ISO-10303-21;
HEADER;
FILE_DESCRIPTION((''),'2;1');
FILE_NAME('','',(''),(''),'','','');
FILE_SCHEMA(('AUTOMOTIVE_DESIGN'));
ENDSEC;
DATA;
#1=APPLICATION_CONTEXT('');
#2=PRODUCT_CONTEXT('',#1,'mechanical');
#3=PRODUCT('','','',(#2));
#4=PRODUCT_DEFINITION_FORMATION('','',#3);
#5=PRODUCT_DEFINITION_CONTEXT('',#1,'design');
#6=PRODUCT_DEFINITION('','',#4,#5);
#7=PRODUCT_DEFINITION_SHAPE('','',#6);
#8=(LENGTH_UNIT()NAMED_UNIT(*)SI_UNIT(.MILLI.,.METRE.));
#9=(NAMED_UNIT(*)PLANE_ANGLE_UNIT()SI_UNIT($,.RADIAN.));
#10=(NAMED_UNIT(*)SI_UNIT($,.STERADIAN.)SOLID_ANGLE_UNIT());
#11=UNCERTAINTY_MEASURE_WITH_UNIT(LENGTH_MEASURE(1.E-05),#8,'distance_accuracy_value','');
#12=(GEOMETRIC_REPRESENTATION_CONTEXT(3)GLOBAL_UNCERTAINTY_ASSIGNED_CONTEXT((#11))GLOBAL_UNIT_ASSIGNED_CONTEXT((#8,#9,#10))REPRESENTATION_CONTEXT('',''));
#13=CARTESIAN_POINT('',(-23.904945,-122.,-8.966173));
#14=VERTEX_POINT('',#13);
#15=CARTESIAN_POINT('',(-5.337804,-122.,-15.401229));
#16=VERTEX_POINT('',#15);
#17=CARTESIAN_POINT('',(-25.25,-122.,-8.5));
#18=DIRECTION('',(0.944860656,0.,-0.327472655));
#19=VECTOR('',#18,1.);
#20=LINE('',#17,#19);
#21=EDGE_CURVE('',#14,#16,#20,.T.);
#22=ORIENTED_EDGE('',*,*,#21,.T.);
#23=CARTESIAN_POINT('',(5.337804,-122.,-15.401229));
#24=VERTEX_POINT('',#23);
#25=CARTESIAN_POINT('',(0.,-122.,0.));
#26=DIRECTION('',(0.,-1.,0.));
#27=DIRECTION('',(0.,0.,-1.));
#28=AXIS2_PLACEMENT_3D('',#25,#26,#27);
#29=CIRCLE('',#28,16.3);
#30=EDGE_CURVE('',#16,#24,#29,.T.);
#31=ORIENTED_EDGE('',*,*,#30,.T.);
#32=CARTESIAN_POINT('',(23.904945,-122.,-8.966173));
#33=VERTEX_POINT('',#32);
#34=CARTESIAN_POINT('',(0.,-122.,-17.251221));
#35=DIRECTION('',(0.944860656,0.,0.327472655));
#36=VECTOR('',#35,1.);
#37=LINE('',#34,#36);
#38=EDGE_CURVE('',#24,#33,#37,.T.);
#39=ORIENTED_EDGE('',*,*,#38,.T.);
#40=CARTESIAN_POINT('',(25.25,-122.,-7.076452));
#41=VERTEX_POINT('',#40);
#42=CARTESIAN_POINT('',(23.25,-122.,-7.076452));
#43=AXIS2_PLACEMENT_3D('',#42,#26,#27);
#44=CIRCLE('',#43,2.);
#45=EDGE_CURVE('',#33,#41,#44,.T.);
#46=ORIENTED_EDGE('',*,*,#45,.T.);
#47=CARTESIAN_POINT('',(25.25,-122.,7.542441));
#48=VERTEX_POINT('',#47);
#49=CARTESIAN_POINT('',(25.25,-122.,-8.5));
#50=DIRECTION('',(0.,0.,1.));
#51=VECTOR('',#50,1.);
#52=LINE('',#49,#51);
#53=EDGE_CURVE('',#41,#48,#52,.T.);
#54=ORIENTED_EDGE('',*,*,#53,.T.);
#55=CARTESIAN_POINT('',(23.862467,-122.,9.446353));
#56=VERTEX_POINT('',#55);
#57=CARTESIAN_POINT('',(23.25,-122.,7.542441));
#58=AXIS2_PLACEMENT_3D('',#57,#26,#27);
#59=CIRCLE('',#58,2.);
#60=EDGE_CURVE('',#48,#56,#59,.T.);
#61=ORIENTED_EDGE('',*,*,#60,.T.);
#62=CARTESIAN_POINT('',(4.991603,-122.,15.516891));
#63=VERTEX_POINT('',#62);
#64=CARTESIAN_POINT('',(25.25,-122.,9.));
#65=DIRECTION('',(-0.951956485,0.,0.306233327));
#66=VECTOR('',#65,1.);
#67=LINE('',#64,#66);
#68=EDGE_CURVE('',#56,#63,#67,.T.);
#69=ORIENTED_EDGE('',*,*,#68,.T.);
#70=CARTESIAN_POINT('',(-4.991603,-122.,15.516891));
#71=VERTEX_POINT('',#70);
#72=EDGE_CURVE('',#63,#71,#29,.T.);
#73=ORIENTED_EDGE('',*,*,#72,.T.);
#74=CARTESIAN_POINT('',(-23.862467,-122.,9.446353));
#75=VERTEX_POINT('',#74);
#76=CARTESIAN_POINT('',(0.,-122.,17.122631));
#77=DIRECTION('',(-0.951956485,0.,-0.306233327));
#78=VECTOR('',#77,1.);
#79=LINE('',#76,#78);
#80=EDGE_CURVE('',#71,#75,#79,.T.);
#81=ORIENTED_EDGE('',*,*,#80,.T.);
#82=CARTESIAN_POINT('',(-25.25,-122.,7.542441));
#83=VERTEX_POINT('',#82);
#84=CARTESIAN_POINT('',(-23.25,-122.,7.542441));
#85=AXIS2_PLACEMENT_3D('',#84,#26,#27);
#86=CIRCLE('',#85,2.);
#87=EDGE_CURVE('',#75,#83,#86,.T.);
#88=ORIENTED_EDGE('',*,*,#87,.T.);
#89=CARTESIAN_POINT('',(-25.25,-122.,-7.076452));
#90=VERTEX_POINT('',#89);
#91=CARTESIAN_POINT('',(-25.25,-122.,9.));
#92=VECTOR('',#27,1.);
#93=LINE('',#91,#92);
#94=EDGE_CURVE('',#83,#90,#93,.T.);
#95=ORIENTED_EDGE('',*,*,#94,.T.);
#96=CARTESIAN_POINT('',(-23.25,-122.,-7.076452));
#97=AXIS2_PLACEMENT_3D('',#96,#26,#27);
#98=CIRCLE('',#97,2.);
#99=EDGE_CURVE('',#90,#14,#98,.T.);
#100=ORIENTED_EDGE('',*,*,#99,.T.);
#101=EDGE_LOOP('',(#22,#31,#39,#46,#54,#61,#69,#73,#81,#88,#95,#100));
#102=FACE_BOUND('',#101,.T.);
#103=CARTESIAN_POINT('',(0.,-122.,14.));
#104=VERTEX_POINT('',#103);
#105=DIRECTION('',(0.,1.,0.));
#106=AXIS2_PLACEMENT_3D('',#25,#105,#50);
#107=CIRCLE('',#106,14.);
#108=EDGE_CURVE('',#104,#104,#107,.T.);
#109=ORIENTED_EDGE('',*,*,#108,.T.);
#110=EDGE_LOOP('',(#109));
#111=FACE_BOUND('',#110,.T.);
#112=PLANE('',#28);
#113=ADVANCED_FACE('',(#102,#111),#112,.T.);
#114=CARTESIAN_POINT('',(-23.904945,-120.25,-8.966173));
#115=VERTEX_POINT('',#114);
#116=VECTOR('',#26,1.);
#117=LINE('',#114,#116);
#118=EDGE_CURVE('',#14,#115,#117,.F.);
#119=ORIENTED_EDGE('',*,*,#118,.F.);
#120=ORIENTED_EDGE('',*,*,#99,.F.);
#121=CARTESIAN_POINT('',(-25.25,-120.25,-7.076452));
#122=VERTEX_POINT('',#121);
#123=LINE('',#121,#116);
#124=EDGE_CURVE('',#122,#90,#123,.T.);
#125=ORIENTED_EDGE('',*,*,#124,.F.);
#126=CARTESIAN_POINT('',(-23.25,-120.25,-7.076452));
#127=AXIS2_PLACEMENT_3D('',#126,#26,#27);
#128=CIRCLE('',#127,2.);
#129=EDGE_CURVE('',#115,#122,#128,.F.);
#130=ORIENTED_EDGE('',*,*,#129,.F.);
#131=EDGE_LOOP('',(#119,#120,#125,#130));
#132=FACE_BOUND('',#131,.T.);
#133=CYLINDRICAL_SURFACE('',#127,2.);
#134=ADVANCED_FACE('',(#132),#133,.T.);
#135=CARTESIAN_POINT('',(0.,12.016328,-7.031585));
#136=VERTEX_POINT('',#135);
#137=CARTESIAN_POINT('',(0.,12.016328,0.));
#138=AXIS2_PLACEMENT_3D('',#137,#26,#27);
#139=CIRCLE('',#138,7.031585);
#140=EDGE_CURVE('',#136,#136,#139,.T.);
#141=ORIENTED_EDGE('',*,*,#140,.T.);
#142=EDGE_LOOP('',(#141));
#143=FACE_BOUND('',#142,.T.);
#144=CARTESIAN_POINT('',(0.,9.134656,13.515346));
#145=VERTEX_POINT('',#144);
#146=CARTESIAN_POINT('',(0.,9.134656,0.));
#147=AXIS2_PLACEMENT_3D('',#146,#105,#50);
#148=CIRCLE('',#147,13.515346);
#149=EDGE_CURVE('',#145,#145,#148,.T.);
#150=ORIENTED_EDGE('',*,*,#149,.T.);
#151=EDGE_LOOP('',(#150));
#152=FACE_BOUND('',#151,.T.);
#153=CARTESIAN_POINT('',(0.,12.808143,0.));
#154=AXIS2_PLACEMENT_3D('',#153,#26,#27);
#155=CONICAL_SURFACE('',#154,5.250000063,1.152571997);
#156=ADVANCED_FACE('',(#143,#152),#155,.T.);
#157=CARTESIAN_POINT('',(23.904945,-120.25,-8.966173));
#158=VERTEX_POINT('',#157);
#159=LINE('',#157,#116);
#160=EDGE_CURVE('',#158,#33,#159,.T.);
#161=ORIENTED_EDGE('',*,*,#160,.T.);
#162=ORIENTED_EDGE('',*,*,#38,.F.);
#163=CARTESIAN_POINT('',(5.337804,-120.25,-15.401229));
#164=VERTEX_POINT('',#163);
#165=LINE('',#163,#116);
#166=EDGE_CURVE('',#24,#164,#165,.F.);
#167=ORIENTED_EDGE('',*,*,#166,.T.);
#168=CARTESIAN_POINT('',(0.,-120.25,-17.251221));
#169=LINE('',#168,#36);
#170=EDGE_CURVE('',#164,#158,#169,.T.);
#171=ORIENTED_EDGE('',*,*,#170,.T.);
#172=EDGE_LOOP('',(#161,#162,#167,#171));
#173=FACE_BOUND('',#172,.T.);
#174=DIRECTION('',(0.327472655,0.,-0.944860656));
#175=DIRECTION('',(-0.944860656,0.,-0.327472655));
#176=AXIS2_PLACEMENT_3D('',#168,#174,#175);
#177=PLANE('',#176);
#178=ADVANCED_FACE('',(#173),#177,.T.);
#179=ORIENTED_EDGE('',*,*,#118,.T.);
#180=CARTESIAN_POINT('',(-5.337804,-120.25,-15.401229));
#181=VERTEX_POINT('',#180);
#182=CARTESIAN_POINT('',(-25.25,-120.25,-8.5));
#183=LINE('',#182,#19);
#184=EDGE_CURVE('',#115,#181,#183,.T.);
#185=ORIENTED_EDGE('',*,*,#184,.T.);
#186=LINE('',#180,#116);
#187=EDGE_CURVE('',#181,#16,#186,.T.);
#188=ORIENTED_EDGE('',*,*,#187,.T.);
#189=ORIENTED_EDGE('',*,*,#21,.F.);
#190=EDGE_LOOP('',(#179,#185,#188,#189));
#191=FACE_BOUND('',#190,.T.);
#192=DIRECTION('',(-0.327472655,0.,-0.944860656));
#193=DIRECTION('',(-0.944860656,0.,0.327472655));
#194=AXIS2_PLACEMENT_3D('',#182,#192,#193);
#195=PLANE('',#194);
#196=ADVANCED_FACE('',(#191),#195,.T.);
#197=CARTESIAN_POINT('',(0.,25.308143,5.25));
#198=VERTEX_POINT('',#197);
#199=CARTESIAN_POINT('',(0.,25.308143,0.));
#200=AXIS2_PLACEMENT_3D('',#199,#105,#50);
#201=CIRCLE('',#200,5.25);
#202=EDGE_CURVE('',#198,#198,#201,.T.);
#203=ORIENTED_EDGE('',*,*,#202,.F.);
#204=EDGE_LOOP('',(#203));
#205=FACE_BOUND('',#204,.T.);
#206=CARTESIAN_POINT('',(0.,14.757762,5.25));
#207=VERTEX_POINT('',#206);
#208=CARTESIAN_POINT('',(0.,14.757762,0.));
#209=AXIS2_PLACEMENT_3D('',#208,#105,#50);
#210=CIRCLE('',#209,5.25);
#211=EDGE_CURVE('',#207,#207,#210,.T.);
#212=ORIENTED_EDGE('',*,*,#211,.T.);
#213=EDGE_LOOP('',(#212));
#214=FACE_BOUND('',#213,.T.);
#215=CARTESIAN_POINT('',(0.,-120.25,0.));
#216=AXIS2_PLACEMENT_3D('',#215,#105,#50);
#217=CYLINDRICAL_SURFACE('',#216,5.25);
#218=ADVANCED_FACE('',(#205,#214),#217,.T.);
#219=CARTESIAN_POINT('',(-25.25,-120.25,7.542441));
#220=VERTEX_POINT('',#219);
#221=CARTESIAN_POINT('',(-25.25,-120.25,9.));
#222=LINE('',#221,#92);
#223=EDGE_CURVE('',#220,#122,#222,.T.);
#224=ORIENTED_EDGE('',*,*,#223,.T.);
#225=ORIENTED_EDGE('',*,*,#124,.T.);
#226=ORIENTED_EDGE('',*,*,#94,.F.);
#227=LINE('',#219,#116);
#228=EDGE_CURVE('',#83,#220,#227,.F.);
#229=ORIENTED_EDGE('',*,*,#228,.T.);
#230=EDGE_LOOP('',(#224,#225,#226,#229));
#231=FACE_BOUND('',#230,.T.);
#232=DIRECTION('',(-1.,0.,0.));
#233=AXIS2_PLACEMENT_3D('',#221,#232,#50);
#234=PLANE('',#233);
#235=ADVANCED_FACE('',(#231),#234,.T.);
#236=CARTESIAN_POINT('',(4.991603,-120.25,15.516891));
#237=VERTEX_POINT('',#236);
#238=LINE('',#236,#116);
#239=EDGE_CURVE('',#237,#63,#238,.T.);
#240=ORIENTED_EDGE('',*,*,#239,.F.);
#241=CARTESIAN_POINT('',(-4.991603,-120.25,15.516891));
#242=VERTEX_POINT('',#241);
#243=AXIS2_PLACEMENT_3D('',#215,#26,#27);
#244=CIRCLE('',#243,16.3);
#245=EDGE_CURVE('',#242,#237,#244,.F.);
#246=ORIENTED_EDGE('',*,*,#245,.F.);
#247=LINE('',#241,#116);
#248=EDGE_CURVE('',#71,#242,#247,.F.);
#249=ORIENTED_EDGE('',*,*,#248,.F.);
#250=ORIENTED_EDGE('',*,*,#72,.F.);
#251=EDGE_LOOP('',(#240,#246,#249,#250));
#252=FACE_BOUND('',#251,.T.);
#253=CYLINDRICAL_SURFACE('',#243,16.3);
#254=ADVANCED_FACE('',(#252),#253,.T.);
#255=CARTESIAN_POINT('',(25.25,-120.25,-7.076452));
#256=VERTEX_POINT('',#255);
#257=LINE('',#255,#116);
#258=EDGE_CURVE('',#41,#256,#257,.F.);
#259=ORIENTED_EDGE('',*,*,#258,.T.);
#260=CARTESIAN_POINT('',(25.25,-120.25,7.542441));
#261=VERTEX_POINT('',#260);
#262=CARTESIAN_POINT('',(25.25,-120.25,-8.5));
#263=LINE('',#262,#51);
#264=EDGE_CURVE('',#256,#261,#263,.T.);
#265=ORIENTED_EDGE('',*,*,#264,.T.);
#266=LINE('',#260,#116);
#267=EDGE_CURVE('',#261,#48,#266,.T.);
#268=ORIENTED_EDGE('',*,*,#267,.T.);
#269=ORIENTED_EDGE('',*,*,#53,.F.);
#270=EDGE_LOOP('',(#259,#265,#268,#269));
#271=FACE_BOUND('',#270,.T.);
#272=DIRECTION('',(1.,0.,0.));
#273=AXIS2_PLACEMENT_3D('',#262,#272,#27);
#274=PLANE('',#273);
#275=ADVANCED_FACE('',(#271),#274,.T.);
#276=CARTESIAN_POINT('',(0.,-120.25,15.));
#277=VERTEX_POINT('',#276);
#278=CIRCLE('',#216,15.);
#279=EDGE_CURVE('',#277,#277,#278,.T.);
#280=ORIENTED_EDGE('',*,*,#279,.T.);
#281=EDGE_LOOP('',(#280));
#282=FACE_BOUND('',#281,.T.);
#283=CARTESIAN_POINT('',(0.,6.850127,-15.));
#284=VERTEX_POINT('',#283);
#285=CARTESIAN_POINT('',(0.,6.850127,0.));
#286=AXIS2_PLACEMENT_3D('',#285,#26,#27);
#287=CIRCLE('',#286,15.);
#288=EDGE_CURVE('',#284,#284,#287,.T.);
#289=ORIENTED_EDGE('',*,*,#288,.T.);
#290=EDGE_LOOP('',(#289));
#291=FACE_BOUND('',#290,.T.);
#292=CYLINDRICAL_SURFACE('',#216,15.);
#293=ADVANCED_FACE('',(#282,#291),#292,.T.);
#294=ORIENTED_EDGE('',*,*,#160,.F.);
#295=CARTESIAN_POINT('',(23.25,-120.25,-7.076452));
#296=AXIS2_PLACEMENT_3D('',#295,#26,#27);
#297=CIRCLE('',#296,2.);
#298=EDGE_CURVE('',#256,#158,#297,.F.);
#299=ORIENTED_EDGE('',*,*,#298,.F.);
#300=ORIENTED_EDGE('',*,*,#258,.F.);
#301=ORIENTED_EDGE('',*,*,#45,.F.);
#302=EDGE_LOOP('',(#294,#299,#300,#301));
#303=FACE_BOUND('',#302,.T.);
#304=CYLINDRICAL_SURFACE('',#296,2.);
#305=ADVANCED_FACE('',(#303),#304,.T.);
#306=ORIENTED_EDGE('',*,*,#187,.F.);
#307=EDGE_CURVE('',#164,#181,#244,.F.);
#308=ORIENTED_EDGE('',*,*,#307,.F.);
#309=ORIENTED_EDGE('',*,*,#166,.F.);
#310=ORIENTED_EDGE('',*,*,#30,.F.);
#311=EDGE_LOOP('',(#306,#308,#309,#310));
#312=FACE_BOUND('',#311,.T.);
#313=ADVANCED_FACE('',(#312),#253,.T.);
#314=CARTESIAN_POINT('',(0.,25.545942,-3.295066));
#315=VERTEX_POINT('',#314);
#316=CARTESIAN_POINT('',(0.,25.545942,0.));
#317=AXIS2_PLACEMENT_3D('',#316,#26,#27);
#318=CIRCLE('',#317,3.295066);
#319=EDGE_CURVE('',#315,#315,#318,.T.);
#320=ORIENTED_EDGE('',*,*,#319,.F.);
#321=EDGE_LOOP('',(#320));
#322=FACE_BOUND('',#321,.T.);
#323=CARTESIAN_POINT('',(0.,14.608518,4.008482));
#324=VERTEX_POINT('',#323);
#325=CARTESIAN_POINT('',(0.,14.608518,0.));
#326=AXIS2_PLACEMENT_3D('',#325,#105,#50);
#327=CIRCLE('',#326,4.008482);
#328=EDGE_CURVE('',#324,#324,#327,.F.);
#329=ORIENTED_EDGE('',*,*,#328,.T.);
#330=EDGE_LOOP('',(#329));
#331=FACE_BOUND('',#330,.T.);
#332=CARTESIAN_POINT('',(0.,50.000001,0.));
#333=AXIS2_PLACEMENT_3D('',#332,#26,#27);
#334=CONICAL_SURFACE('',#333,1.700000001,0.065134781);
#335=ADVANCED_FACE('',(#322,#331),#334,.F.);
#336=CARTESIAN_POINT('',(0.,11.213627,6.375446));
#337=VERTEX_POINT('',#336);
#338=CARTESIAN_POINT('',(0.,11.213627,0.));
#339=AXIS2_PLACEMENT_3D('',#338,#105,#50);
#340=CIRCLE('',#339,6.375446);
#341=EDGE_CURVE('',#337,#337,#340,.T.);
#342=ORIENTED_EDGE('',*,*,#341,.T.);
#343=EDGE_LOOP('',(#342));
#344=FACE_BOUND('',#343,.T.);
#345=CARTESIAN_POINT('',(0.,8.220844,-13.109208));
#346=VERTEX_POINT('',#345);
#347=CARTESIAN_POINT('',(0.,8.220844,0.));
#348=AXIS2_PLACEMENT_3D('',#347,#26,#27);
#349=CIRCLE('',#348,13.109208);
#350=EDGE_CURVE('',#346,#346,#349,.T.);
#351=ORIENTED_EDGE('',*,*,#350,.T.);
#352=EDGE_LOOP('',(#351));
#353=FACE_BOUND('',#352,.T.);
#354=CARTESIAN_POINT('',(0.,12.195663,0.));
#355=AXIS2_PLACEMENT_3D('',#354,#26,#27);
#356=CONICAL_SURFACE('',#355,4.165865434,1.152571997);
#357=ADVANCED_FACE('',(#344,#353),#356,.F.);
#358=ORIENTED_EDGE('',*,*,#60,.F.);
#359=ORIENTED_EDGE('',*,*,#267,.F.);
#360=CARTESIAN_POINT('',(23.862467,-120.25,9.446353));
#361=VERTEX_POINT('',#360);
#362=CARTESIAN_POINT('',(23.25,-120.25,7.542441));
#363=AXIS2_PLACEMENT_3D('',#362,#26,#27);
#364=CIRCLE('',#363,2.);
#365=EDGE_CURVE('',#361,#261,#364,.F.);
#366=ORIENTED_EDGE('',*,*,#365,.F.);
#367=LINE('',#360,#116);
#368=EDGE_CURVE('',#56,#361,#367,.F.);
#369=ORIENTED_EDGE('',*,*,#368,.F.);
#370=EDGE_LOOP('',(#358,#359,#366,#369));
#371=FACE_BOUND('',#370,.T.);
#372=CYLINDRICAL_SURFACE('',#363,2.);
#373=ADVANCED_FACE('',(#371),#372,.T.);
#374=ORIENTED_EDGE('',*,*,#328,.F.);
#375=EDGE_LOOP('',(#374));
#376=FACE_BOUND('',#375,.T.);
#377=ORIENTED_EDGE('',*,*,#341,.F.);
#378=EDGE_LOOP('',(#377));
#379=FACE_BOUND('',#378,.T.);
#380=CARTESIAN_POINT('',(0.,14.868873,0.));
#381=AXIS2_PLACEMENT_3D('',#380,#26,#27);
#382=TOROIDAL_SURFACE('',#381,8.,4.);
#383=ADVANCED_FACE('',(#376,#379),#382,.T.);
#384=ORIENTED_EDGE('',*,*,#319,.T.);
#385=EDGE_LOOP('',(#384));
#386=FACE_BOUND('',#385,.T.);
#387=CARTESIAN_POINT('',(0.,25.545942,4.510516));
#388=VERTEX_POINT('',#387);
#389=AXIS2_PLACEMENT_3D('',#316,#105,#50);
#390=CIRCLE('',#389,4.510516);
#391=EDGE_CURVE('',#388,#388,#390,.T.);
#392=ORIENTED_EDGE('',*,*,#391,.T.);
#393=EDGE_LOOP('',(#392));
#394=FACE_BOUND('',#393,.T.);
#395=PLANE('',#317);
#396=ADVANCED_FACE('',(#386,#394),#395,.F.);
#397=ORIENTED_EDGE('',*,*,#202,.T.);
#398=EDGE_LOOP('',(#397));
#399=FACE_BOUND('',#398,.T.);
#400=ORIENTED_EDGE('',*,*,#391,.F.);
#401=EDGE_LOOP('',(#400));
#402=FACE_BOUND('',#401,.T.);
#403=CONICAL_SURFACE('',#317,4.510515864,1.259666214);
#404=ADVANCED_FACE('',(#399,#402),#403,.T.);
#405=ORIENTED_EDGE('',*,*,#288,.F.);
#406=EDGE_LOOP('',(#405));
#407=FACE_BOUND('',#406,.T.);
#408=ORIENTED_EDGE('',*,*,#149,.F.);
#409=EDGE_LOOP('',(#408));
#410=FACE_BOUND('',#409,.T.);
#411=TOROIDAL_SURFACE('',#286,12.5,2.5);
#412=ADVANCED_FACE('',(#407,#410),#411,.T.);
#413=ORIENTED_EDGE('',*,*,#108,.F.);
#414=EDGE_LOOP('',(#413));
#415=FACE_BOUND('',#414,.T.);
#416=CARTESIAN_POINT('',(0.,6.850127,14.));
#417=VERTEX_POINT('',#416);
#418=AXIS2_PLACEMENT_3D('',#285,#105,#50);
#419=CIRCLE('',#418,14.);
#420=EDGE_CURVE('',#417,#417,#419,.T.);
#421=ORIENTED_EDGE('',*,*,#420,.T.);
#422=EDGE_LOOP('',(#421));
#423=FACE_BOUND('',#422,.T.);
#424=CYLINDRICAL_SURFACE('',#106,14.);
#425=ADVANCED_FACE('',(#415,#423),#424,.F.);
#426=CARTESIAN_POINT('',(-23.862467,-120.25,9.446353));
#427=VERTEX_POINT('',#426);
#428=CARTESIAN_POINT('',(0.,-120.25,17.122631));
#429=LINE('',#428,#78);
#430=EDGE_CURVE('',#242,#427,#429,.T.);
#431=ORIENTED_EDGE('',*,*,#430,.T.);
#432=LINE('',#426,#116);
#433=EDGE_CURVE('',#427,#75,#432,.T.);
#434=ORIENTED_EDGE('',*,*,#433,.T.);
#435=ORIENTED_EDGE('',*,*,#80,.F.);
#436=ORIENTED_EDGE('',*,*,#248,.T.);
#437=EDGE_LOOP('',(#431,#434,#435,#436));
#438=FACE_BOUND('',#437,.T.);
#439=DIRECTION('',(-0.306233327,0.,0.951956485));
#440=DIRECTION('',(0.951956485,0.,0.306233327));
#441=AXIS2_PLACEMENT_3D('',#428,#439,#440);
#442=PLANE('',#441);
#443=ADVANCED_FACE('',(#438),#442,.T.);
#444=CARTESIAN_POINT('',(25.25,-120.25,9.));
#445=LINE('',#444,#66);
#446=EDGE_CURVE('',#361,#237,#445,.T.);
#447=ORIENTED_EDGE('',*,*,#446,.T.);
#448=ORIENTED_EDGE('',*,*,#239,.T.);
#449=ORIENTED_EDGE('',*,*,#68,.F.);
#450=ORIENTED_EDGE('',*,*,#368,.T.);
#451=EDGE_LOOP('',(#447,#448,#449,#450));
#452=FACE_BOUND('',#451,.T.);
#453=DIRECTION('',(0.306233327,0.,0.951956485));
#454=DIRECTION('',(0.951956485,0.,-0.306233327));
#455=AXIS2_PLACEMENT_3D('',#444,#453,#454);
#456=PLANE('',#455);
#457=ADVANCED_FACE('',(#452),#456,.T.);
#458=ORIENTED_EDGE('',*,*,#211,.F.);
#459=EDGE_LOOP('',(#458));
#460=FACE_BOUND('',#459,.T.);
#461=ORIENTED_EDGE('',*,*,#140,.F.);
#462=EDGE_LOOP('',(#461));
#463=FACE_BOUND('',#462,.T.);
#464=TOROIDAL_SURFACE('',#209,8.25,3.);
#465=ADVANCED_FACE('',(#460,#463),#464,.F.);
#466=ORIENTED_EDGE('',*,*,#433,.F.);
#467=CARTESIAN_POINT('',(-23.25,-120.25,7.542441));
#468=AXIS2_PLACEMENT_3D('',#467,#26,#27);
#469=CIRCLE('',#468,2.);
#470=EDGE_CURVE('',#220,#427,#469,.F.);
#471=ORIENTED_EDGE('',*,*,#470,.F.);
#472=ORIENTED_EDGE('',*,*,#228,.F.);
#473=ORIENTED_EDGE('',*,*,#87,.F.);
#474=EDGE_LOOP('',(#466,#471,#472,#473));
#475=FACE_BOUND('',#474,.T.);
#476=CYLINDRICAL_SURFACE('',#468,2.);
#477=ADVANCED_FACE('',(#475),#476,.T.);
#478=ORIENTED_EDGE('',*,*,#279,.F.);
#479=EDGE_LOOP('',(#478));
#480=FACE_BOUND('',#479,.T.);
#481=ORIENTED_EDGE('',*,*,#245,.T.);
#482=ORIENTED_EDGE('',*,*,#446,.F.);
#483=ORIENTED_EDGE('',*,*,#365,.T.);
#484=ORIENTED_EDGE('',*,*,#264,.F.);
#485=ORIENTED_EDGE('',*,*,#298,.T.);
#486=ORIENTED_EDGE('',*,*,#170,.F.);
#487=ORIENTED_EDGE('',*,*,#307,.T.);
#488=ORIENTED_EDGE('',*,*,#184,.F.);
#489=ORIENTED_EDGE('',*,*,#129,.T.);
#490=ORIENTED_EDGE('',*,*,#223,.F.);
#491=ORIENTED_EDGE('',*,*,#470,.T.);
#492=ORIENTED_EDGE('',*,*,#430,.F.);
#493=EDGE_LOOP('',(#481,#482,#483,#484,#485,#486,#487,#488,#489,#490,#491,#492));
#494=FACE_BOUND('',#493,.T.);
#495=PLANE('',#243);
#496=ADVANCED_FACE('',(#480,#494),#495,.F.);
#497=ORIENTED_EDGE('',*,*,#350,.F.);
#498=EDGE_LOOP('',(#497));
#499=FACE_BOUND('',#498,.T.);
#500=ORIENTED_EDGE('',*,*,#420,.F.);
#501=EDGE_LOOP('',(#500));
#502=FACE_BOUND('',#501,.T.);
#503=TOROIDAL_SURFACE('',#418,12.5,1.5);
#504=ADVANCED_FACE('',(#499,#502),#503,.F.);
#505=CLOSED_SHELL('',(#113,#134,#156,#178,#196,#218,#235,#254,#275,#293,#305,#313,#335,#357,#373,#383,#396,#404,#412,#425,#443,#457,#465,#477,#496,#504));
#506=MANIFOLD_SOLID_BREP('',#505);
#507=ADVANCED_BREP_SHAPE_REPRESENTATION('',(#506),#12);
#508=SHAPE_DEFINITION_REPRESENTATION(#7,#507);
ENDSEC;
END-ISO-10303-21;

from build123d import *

# Parameters (mm, degrees)
BOSS_EXTRUDE1_DEPTH = 1.75
FILLET1_R           = 1
FILLET2_R           = 1.5
FILLET3_R           = 2
FILLET4_R           = 2.5
FILLET5_R           = 3
FILLET6_R           = 4
FILLET7_R           = 16.3
CUT_EXTRUDE1_REACH  = 152.576
SKETCH4_R           = 17.447294951


with BuildPart() as part:
    # Sketch1 → Boss-Extrude1 (new body)
    with BuildSketch(Plane.XZ.offset(122.00000003)):
        Polygon((0, -17.251221002), (25.25, -8.499999866), (25.25, 9.000000134), (0, 17.122631398), (-25.25, 9.000000134), (-25.25, -8.499999866), align=None)
    extrude(amount=-BOSS_EXTRUDE1_DEPTH)

    # Sketch2 → Revolve1 (revolve)
    with BuildSketch(Plane(origin=(0, 0, 0), x_dir=(-1, 0, 0), z_dir=(0, 0, -1)), mode=Mode.PRIVATE) as revolve1_sk:
        Polygon((-15.000000104, -120.25000003), (0, -120.25000003), (0, 50.000000745), (-3.000000045, 50.000000745), (-4.510515864, 25.545941813), (-5.250000063, 25.308142899), (-5.250000063, 12.808142939), (-15.000000104, 8.474809587), align=None)
    revolve(revolve1_sk.sketch.rotate(Axis((0, -120.25000003, 0), (0, 1, 0)), 270), axis=Axis((0, -120.25000003, 0), (0, 1, 0)))

    # Sketch3 → Cut-Revolve1 (revolve, cut)
    with BuildSketch(Plane(origin=(0, 0, 0), x_dir=(-1, 0, 0), z_dir=(0, 0, -1)), mode=Mode.PRIVATE) as cut_revolve1_sk:
        Polygon((-14.00000011, -122.00000003), (0, -122.00000003), (0, 50.000000745), (-1.700000001, 50.000000745), (-4.165865434, 12.195663018), (-14.00000011, 7.824936496), align=None)
    revolve(cut_revolve1_sk.sketch.rotate(Axis((0, -122.00000003, 0), (0, 1, 0)), 90), axis=Axis((0, -122.00000003, 0), (0, 1, 0)), mode=Mode.SUBTRACT)

    # Fillet1
    fillet1_edges = [part.edges().sort_by_distance(p)[0] for p in [
        (0, 50.000000745, -3.000000045),
    ]]
    fillet(fillet1_edges, radius=FILLET1_R)

    # Fillet2
    fillet2_edges = [part.edges().sort_by_distance(p)[0] for p in [
        (0, 7.824936496, 14.00000011),
    ]]
    fillet(fillet2_edges, radius=FILLET2_R)

    # Fillet3
    fillet3_edges = [part.edges().sort_by_distance(p)[0] for p in [
        (-25.25, -121.12500003, -8.499999866),
        (-25.25, -121.12500003, 9.000000134),
        (25.25, -121.12500003, 9.000000134),
        (25.25, -121.12500003, -8.499999866),
    ]]
    fillet(fillet3_edges, radius=FILLET3_R)

    # Fillet4
    fillet4_edges = [part.edges().sort_by_distance(p)[0] for p in [
        (0, 8.474809587, -15.000000104),
    ]]
    fillet(fillet4_edges, radius=FILLET4_R)

    # Fillet5
    fillet5_edges = [part.edges().sort_by_distance(p)[0] for p in [
        (0, 12.808142939, -5.250000063),
    ]]
    fillet(fillet5_edges, radius=FILLET5_R)

    # Fillet6
    fillet6_edges = [part.edges().sort_by_distance(p)[0] for p in [
        (0, 12.195663018, 4.165865434),
    ]]
    fillet(fillet6_edges, radius=FILLET6_R)

    # Fillet7
    fillet7_edges = [part.edges().sort_by_distance(p)[0] for p in [
        (0, -121.12500003, 17.122631398),
        (0, -121.12500003, -17.251221002),
    ]]
    fillet(fillet7_edges, radius=FILLET7_R)

    # Sketch4 → Cut-Extrude1 (cut, up to next)
    with BuildSketch(Plane(origin=(0, 25.545941813, 0), x_dir=(-1, 0, 0), z_dir=(0, -1, 0)), mode=Mode.PRIVATE) as cut_extrude1_sk1:
        Circle(SKETCH4_R)
    cut_extrude1_tool1 = extrude(cut_extrude1_sk1.sketch, amount=-CUT_EXTRUDE1_REACH, mode=Mode.PRIVATE) & part.part
    add(cut_extrude1_tool1.solids().sort_by_distance((0, 25.545942, 0))[0], mode=Mode.SUBTRACT)


solid = part.part
